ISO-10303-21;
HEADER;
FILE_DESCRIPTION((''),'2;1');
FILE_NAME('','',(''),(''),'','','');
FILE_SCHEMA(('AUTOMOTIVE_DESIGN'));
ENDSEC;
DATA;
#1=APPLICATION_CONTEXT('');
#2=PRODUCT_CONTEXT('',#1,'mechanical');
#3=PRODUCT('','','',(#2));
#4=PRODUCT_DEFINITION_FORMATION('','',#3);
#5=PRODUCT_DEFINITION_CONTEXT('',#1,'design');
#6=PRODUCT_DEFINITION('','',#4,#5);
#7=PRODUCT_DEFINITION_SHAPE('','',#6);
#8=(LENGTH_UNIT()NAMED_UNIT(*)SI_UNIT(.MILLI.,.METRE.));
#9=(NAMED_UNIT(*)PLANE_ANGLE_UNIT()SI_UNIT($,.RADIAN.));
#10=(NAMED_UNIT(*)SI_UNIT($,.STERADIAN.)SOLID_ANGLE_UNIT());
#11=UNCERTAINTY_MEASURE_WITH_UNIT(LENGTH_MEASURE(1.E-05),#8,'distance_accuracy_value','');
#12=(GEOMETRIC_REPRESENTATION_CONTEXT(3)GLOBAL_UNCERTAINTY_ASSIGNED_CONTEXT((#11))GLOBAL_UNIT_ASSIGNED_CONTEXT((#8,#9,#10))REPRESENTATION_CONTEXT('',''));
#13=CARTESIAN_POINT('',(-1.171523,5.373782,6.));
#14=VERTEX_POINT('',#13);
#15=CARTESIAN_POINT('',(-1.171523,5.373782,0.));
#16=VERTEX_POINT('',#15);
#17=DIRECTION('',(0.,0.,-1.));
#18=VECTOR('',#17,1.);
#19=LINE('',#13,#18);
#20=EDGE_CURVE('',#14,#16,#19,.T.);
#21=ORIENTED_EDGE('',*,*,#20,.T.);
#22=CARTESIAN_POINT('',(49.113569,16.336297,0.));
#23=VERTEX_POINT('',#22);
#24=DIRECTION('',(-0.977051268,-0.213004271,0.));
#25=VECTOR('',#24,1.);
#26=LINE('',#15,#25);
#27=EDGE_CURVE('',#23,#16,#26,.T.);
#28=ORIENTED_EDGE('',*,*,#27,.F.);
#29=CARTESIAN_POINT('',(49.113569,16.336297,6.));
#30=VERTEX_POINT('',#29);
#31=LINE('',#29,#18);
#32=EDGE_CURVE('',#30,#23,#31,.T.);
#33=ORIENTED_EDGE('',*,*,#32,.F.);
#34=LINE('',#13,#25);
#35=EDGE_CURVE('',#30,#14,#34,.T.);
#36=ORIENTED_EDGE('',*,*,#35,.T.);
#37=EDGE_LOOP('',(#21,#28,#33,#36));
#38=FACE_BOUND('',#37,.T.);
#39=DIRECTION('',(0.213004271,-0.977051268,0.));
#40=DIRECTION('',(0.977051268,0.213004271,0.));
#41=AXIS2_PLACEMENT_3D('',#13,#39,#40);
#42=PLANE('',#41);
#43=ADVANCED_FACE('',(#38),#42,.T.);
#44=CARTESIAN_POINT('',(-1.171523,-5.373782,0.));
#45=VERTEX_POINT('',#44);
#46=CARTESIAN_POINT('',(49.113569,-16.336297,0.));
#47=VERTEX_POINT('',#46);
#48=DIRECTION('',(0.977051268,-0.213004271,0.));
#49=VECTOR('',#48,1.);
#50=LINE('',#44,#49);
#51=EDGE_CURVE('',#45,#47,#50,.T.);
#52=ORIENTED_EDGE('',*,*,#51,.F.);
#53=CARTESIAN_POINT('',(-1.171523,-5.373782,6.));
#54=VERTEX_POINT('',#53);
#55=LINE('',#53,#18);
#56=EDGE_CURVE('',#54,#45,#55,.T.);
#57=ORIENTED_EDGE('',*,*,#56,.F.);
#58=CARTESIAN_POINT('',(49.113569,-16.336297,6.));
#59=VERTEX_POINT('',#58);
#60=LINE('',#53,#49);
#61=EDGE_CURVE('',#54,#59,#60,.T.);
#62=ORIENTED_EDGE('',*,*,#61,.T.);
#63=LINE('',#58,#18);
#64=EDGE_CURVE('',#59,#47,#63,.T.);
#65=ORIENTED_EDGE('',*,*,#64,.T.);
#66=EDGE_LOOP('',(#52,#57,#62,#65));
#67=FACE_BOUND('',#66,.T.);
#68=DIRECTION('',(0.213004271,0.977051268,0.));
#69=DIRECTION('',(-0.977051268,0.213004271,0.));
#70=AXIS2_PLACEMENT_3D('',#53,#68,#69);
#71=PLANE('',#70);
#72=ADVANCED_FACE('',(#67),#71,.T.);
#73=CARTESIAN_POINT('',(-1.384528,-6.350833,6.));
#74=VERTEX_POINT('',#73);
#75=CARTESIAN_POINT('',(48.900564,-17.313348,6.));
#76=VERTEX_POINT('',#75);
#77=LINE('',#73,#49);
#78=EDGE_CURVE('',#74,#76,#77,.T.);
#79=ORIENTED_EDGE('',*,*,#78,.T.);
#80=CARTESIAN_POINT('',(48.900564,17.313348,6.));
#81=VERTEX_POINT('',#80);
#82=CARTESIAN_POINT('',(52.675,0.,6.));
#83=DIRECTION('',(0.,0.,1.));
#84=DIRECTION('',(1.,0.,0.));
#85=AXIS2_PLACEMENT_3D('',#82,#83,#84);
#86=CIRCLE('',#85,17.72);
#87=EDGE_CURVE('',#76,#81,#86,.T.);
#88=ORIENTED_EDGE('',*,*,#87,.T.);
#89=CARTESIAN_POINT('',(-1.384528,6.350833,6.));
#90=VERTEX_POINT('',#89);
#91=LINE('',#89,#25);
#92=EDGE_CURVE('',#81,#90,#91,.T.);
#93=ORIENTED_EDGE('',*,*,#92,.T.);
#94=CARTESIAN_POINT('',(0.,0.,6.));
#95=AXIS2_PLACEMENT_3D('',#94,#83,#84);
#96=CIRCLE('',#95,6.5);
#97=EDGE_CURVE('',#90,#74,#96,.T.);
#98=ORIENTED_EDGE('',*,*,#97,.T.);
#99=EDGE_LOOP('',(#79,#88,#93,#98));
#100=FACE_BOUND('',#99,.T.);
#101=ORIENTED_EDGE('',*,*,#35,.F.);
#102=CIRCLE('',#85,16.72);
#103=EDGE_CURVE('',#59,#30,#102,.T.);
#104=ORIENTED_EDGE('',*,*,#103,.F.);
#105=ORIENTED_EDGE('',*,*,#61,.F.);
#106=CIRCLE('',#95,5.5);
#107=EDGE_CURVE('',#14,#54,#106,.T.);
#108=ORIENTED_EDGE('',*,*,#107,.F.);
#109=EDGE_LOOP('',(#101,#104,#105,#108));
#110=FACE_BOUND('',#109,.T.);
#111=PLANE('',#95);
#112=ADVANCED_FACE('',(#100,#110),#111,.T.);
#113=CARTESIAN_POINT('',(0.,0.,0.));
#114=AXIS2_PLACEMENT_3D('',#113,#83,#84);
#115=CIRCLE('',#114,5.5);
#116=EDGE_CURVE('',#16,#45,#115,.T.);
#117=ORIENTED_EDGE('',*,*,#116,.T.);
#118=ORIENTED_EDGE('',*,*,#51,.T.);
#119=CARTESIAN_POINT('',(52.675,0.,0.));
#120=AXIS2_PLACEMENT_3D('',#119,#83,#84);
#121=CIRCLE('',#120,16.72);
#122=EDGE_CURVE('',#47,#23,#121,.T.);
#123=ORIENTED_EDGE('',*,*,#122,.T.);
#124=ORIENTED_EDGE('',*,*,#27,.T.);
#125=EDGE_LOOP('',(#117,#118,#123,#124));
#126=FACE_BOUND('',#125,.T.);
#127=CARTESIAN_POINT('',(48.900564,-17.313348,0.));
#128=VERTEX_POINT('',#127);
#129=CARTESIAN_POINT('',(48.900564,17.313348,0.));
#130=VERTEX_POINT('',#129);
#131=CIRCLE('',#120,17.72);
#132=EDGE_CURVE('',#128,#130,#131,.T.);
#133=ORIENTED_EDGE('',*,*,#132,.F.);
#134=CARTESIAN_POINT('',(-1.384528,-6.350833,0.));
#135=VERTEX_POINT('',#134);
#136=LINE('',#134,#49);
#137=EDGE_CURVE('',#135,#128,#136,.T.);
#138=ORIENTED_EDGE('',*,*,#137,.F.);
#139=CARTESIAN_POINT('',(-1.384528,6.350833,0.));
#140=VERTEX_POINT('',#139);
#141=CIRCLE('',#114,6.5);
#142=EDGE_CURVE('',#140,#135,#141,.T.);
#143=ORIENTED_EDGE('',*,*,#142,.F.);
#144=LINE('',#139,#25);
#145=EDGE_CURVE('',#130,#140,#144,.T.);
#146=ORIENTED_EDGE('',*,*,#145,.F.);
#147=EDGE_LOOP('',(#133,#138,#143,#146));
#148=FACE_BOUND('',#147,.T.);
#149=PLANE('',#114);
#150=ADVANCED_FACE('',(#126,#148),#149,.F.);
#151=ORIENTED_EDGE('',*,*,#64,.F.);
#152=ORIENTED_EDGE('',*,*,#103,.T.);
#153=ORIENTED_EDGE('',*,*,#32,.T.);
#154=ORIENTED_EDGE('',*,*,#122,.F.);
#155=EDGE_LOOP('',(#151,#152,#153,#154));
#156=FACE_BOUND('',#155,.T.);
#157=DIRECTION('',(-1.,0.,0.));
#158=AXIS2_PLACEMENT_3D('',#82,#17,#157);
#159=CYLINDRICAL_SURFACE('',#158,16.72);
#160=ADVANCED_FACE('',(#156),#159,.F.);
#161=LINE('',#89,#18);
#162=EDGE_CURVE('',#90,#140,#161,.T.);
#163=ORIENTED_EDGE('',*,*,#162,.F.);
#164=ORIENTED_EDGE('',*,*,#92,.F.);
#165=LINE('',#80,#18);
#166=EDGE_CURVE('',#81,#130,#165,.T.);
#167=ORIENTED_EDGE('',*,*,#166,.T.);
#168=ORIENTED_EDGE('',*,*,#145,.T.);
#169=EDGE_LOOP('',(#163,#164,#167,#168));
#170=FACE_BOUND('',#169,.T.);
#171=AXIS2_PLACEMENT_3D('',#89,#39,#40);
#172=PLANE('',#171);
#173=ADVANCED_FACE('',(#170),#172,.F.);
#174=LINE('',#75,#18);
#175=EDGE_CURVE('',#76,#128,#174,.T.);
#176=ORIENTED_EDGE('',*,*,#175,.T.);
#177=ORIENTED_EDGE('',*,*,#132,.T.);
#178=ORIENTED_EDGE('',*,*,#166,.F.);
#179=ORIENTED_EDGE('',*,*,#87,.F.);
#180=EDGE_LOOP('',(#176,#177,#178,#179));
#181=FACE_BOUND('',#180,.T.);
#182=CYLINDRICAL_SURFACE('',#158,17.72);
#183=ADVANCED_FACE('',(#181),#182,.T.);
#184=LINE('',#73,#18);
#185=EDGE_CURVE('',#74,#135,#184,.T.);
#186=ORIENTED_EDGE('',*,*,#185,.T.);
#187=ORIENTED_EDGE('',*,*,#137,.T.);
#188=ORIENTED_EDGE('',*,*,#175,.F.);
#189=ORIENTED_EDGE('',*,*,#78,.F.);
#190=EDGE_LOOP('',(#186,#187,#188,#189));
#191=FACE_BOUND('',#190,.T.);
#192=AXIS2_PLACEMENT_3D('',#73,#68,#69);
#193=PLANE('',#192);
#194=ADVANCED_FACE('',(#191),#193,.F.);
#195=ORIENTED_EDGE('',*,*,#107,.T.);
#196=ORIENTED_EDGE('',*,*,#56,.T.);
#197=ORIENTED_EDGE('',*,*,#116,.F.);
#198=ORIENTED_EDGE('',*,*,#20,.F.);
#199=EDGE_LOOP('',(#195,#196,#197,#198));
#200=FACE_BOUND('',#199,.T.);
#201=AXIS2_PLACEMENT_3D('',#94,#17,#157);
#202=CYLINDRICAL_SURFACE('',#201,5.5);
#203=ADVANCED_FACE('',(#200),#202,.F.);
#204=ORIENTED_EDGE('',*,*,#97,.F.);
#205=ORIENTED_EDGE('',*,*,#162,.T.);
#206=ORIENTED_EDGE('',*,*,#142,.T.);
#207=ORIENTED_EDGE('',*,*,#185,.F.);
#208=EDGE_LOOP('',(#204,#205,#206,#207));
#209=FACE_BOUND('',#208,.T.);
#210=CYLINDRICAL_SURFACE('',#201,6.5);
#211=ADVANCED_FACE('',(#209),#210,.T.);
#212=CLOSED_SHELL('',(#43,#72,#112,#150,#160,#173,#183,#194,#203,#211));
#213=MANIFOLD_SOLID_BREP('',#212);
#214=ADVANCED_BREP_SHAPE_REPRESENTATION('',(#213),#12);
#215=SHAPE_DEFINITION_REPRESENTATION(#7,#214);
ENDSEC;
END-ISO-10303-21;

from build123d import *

# Parameters (mm, degrees)
SALIENTE_EXTRUIR1_DEPTH = 6


with BuildPart() as part:
    # Croquis1 → Saliente-Extruir1 (new body)
    with BuildSketch(Plane.XY):
        with BuildLine():
            Line((-1.384527765, 6.350833242), (48.900564309, 17.313348469))
            ThreePointArc((48.900564309, 17.313348469), (70.395, 0), (48.900564309, -17.313348469))
            Line((48.900564309, -17.313348469), (-1.384527765, -6.350833242))
            ThreePointArc((-1.384527765, -6.350833242), (-6.5, 0), (-1.384527765, 6.350833242))
        make_face()
        with BuildLine():
            Line((-1.171523493, 5.373781974), (49.113568581, 16.336297201))
            ThreePointArc((49.113568581, 16.336297201), (69.395, 0), (49.113568581, -16.336297201))
            Line((49.113568581, -16.336297201), (-1.171523493, -5.373781974))
            ThreePointArc((-1.171523493, -5.373781974), (-5.5, 0), (-1.171523493, 5.373781974))
        make_face(mode=Mode.SUBTRACT)
    extrude(amount=SALIENTE_EXTRUIR1_DEPTH)


solid = part.part
